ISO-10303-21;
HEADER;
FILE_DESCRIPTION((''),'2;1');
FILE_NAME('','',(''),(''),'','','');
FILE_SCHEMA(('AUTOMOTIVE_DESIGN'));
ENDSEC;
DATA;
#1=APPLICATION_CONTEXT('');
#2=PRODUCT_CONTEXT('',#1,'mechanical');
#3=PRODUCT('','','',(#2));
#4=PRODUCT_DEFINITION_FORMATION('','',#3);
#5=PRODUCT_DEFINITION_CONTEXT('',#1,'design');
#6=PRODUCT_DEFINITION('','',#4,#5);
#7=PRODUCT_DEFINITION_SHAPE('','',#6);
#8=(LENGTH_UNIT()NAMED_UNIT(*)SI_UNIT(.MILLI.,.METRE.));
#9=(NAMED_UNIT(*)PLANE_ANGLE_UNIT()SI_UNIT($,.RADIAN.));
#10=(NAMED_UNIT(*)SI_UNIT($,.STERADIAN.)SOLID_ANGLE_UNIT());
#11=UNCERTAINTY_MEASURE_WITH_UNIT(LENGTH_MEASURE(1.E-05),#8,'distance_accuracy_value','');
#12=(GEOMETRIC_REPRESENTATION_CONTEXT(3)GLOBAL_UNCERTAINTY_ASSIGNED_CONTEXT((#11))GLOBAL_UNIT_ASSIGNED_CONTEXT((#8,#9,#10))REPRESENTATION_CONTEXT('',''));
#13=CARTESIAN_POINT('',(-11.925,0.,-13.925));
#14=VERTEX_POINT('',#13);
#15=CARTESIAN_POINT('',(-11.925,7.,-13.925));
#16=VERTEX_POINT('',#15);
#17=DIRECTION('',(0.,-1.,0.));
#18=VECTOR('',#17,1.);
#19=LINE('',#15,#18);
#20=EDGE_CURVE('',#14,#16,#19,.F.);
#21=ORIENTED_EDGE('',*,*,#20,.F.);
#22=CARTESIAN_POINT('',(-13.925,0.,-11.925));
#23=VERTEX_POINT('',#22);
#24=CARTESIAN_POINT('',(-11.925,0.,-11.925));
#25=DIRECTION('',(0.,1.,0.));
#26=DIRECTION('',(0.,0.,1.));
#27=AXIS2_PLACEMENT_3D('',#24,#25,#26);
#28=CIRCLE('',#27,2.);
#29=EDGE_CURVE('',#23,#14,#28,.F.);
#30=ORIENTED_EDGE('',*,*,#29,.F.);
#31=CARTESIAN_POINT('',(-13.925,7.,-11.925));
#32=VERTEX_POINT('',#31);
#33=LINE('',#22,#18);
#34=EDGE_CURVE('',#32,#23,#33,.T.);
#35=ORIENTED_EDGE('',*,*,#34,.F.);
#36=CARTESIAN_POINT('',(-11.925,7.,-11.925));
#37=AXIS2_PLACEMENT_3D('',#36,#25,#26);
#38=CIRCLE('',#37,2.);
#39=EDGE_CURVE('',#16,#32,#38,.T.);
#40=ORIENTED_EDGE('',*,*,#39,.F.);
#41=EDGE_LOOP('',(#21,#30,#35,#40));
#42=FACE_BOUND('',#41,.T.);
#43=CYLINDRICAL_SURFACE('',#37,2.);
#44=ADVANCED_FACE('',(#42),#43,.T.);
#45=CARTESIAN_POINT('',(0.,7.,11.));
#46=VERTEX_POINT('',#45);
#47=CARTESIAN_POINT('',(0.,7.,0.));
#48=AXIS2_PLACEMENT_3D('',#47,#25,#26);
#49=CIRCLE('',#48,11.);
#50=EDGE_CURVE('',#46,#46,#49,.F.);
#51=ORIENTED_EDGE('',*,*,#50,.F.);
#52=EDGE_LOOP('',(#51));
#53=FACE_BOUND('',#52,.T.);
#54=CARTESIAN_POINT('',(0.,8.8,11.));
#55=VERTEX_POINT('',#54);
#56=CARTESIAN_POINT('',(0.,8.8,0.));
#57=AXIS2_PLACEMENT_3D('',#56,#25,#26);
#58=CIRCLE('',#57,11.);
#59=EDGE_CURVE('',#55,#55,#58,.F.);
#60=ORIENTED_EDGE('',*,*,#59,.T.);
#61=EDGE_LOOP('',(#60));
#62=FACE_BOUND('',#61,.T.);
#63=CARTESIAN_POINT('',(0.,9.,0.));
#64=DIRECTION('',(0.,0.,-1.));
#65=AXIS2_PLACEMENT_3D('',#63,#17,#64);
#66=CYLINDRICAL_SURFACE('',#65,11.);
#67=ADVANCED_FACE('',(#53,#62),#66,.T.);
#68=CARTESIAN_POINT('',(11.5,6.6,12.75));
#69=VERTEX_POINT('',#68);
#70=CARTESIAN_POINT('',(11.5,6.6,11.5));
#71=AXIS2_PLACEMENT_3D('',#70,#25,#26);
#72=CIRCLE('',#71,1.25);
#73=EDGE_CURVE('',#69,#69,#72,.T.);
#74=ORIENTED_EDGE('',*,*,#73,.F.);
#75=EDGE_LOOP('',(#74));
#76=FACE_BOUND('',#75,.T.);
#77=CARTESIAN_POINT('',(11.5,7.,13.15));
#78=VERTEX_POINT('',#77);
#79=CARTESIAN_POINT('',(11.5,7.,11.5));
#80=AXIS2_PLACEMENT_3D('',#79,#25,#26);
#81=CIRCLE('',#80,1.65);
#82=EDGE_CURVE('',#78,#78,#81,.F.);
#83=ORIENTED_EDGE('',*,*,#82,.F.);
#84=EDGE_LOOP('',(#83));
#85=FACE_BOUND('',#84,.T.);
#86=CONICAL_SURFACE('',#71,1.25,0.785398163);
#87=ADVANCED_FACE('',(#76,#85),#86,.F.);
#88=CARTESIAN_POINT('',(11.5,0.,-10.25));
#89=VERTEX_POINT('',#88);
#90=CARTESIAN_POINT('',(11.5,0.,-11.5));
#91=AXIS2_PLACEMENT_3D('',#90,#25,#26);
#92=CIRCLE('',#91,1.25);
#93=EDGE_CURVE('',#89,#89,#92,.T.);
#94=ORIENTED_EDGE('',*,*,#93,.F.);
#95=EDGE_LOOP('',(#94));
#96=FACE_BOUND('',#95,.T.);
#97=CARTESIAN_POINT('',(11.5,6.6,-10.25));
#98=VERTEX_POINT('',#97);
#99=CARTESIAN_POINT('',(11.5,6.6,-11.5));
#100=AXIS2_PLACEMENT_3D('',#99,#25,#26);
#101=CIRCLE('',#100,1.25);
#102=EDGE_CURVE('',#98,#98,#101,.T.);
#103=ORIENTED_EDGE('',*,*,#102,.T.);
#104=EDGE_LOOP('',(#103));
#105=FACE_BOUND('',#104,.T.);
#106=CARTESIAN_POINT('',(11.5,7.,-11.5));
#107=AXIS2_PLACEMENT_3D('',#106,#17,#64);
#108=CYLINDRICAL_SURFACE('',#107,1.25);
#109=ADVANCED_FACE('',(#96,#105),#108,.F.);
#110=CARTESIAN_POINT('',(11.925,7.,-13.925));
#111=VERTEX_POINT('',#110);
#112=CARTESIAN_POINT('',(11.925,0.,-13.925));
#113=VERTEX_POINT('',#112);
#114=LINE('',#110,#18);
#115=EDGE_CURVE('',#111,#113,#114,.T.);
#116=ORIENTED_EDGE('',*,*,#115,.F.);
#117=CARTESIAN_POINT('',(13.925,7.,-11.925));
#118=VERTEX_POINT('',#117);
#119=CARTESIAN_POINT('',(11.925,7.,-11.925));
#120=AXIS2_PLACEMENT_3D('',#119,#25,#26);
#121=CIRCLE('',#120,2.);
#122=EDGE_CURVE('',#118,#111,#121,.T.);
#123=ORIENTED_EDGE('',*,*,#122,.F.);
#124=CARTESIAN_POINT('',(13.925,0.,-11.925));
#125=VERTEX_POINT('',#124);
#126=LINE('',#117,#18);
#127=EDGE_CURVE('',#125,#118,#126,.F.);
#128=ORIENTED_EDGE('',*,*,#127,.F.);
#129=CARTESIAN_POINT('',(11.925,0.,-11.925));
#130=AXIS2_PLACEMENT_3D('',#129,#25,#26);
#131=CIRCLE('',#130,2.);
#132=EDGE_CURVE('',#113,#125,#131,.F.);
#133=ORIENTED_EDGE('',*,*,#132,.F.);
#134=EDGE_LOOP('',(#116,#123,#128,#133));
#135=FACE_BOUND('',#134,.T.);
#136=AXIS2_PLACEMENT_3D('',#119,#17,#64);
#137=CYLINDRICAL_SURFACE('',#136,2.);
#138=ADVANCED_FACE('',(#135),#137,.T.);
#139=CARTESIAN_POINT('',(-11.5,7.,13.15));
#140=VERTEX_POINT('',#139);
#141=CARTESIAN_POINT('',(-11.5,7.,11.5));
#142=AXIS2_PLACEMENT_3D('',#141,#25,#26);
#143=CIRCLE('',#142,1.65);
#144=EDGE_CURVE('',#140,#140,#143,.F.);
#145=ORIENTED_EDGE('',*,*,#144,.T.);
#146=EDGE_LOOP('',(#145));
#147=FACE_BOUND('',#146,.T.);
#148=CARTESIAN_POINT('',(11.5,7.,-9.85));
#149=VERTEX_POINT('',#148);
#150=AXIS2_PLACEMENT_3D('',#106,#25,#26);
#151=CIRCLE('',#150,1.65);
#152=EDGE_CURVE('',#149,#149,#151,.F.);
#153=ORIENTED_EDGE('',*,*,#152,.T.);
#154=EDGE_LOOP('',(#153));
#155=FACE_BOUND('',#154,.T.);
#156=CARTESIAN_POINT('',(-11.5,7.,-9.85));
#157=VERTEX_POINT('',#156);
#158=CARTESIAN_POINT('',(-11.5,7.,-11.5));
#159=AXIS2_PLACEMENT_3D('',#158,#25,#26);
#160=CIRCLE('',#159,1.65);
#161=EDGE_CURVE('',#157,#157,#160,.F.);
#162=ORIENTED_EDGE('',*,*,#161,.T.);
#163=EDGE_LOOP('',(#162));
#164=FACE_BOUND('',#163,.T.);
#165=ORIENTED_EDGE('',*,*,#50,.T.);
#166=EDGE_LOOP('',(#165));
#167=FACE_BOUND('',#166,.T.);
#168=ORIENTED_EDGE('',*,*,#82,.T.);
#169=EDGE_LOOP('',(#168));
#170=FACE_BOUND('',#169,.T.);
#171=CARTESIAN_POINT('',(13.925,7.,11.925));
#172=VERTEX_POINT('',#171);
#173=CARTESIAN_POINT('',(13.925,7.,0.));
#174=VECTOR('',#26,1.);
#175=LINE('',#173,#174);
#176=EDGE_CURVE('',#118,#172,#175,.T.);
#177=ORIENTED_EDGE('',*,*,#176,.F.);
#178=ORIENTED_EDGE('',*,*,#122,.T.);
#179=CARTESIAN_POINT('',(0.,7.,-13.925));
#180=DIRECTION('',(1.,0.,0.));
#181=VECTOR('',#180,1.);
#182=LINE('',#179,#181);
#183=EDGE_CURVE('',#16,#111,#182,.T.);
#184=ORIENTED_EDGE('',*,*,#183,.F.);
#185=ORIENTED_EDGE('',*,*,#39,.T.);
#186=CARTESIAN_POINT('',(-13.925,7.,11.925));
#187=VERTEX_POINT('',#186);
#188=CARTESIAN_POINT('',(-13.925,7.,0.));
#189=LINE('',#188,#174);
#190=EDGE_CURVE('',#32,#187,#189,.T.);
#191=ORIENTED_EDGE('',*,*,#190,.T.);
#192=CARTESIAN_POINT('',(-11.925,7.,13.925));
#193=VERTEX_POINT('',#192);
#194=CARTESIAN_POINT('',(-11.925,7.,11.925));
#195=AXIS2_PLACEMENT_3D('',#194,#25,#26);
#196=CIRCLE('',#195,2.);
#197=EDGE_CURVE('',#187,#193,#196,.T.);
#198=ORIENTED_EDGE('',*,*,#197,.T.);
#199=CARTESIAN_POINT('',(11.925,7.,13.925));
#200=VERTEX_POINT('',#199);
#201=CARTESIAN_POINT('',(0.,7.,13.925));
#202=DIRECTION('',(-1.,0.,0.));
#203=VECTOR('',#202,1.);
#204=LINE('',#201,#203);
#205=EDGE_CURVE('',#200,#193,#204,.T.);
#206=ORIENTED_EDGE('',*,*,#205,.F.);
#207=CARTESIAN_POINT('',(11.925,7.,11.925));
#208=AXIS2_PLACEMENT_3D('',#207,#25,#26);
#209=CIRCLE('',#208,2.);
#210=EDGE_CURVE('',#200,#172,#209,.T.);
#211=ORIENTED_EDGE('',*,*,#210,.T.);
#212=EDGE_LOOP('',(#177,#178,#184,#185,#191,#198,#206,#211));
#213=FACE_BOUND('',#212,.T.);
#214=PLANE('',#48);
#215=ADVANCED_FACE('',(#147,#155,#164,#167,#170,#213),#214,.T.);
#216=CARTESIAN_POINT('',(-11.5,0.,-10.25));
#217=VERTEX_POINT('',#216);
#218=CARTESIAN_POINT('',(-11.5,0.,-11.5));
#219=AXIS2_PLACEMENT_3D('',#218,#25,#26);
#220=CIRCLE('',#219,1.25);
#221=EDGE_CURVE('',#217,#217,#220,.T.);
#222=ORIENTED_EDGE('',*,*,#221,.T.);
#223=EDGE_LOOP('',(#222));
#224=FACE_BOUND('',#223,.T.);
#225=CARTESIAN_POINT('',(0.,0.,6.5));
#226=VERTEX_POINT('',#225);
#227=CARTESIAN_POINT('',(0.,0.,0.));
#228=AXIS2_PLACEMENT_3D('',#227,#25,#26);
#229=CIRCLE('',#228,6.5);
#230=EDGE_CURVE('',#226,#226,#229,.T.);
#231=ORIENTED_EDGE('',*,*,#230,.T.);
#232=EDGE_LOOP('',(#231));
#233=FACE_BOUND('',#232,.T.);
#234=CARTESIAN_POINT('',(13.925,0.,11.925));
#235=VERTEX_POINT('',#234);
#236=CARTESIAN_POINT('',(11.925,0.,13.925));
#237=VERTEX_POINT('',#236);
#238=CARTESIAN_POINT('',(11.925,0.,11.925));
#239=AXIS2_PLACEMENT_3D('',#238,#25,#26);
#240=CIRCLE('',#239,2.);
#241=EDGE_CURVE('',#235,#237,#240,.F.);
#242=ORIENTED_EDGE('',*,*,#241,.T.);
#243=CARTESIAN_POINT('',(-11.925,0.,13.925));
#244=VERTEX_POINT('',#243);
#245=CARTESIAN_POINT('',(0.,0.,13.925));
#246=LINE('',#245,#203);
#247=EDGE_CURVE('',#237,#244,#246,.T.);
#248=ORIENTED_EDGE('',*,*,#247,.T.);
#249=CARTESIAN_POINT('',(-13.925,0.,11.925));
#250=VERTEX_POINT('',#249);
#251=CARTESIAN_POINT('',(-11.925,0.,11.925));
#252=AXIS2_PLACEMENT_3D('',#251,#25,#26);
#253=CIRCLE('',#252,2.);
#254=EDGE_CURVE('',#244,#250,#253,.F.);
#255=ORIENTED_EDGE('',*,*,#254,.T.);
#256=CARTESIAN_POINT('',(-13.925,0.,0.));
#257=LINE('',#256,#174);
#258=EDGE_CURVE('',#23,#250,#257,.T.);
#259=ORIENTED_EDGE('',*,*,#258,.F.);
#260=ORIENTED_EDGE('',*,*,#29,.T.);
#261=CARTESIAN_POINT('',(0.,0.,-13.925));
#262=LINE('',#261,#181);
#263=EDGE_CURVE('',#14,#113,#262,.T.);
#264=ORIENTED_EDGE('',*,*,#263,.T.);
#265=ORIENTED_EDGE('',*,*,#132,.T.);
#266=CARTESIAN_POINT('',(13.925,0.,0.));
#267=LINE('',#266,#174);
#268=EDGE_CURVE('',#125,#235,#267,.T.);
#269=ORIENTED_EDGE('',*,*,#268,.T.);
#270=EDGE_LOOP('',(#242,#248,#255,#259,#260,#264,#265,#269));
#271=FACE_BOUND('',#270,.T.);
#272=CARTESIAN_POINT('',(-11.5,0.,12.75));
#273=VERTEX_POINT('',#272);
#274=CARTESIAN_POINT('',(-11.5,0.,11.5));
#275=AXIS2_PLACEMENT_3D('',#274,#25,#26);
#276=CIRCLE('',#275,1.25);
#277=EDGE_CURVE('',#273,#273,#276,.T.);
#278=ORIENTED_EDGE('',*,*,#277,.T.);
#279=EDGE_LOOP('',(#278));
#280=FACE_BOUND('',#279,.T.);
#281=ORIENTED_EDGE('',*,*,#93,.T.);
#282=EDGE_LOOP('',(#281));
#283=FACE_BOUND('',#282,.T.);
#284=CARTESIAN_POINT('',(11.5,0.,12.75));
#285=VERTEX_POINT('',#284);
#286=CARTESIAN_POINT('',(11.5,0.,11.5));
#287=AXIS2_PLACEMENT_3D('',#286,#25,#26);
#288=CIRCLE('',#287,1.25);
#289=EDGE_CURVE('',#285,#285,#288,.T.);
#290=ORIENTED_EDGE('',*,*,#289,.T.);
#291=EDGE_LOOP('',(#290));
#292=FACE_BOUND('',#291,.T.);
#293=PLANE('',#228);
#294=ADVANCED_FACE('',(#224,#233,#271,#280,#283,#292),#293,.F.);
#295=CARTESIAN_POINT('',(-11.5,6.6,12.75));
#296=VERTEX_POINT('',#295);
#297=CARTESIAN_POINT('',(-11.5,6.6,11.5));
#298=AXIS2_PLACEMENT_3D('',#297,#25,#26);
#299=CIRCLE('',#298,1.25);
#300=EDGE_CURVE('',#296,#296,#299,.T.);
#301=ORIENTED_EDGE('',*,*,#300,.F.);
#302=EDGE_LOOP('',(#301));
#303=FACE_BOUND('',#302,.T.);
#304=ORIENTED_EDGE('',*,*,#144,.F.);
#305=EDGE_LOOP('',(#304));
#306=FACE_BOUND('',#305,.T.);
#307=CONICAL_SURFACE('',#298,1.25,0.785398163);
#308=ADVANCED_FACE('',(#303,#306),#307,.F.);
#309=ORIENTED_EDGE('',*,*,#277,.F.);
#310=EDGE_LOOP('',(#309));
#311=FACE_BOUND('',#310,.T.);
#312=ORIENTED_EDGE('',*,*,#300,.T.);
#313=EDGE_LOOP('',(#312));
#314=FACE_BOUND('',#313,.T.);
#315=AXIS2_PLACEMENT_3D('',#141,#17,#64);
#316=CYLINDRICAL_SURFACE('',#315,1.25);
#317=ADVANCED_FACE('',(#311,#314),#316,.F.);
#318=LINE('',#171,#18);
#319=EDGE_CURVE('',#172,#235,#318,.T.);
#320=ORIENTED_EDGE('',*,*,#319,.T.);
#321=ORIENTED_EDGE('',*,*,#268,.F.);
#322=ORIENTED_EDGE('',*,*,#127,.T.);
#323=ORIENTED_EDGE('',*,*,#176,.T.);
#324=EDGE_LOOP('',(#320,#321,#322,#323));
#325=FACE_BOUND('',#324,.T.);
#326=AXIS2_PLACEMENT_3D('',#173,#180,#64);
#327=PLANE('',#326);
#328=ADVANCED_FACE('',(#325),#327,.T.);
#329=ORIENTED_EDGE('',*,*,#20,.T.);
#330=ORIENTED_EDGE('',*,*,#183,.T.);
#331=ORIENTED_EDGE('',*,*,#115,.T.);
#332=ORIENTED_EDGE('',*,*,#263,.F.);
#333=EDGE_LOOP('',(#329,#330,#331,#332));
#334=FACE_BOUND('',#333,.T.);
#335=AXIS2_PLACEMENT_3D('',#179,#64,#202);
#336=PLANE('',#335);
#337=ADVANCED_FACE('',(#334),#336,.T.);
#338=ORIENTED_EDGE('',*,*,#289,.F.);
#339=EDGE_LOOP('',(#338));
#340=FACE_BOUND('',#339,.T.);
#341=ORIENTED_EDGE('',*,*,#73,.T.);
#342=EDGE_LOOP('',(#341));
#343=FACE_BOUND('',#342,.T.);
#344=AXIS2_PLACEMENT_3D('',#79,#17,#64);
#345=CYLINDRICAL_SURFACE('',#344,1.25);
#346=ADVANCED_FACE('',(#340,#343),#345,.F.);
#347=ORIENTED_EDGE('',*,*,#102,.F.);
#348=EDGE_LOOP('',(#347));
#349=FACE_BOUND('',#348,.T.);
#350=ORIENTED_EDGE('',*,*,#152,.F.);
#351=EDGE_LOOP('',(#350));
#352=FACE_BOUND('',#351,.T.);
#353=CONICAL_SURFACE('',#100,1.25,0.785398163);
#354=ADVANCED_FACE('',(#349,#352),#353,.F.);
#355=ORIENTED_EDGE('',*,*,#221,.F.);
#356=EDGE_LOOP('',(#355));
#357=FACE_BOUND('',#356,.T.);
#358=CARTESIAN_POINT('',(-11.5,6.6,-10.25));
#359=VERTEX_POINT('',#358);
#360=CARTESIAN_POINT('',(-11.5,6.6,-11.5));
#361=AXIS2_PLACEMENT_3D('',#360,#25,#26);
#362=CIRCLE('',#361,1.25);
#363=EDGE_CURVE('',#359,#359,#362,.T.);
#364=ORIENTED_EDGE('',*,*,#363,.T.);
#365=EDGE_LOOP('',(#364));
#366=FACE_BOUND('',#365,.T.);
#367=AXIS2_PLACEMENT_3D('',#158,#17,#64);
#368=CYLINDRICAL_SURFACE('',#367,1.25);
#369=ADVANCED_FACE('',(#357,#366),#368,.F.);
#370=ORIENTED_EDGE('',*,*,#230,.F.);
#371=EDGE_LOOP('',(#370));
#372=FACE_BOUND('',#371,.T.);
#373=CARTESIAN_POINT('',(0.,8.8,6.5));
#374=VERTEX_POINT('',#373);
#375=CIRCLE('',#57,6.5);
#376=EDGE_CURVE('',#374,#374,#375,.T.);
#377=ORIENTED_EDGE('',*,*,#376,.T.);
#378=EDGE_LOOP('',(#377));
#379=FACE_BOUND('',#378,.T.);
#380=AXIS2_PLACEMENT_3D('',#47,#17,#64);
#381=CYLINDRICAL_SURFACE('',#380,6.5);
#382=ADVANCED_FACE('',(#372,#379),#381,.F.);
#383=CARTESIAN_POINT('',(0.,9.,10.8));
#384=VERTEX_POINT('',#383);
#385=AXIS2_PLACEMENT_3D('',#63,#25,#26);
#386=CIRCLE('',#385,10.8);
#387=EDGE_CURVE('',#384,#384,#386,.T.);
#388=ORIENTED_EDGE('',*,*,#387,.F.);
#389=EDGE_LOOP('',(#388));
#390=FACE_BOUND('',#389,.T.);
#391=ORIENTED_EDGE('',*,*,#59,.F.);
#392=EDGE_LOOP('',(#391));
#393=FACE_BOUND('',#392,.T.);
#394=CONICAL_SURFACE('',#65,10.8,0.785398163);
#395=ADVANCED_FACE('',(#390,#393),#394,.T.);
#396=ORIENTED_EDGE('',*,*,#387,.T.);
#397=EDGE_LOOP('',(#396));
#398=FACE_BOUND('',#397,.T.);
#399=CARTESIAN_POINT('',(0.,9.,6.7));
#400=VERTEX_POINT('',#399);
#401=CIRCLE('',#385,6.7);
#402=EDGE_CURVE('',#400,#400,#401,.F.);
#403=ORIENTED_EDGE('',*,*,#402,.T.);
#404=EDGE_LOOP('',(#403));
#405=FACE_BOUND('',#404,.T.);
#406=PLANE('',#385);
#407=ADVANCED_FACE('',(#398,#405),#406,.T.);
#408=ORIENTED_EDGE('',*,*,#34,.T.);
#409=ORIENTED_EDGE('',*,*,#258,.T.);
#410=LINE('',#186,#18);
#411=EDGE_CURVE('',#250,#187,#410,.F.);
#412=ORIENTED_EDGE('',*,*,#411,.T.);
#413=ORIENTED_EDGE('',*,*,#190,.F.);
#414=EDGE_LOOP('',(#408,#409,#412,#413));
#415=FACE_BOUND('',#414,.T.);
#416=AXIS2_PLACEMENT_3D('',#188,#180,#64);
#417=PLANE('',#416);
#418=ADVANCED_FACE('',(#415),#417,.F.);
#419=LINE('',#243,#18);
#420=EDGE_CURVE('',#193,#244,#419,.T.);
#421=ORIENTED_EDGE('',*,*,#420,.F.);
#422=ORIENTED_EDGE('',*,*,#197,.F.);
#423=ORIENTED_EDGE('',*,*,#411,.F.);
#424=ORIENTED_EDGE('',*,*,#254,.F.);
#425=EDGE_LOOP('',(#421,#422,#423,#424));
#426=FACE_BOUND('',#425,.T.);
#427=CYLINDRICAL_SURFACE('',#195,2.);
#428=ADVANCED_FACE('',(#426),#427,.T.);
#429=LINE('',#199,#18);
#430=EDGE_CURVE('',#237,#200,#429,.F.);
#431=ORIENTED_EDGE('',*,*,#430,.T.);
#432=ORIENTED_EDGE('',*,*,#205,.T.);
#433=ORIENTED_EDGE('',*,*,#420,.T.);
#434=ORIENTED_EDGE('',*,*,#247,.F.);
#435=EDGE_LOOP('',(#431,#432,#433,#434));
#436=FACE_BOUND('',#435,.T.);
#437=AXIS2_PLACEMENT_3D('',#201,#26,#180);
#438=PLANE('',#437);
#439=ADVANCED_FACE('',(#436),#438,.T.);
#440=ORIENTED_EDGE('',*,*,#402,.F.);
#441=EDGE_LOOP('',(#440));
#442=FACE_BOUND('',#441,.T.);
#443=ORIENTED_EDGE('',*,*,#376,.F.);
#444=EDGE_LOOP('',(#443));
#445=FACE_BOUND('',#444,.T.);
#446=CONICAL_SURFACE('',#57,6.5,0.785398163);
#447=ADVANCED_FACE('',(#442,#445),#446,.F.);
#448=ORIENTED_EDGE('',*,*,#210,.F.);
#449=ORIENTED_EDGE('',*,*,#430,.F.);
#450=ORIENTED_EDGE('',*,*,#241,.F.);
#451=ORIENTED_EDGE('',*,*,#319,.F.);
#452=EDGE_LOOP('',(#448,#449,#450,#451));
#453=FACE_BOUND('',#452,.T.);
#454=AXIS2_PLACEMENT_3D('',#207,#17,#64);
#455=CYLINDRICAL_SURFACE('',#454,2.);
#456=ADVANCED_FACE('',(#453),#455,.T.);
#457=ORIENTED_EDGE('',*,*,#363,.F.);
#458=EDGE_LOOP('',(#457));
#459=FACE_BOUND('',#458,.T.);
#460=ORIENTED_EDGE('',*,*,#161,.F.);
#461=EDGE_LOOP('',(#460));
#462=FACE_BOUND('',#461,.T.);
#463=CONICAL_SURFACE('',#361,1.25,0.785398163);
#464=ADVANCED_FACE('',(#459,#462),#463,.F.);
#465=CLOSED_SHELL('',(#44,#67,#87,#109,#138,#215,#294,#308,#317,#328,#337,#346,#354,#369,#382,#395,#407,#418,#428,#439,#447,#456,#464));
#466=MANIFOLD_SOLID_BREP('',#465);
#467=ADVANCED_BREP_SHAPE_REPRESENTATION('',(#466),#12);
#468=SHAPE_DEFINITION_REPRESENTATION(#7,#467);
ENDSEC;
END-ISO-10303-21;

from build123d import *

# Parameters (mm, degrees)
SKETCH_1_W      = 27.85
SKETCH_1_H      = 27.85
SKETCH_1_R      = 1.25
SKETCH_1_R_2    = 6.5
EXTRUDE_1_DEPTH = 7
SKETCH_1_5_R    = 11
SKETCH_1_5_R_2  = 6.5
EXTRUDE_3_DEPTH = 9
CHAMFER_2_SIZE  = 0.4
CHAMFER_3_SIZE  = 0.2
FILLET_1_R      = 2


with BuildPart() as part:
    # Эскиз1 → Бобышка-Вытянуть1 (new body)
    with BuildSketch(Plane(origin=(0, 0, 0), x_dir=(1, 0, 0), z_dir=(0, 1, 0))):
        Rectangle(SKETCH_1_W, SKETCH_1_H)
        with Locations((-11.5, 11.5)):
            Circle(SKETCH_1_R, mode=Mode.SUBTRACT)
        with Locations((11.5, 11.5)):
            Circle(SKETCH_1_R, mode=Mode.SUBTRACT)
        with Locations((-11.5, -11.5)):
            Circle(SKETCH_1_R, mode=Mode.SUBTRACT)
        with Locations((11.5, -11.5)):
            Circle(SKETCH_1_R, mode=Mode.SUBTRACT)
        Circle(SKETCH_1_R_2, mode=Mode.SUBTRACT)
    extrude(amount=EXTRUDE_1_DEPTH)

    # Эскиз1<5> → Бобышка-Вытянуть3 (add)
    with BuildSketch(Plane(origin=(0, 0, 0), x_dir=(1, 0, 0), z_dir=(0, 1, 0))):
        Circle(SKETCH_1_5_R)
        Circle(SKETCH_1_5_R_2, mode=Mode.SUBTRACT)
    extrude(amount=EXTRUDE_3_DEPTH)

    # Фаска2
    chamfer_2_edges = [part.edges().sort_by_distance(p)[0] for p in [
        (-12.75, 7, 11.5),
        (10.25, 7, -11.5),
        (-12.75, 7, -11.5),
        (10.25, 7, 11.5),
    ]]
    chamfer(chamfer_2_edges, length=CHAMFER_2_SIZE)

    # Фаска3
    chamfer_3_edges = [part.edges().sort_by_distance(p)[0] for p in [
        (-6.5, 9, 0),
        (-11, 9, 0),
    ]]
    chamfer(chamfer_3_edges, length=CHAMFER_3_SIZE)

    # Скругление1
    fillet_1_edges = [part.edges().sort_by_distance(p)[0] for p in [
        (-13.925, 3.5, 13.925),
        (-13.925, 3.5, -13.925),
        (13.925, 3.5, -13.925),
        (13.925, 3.5, 13.925),
    ]]
    fillet(fillet_1_edges, radius=FILLET_1_R)


solid = part.part
